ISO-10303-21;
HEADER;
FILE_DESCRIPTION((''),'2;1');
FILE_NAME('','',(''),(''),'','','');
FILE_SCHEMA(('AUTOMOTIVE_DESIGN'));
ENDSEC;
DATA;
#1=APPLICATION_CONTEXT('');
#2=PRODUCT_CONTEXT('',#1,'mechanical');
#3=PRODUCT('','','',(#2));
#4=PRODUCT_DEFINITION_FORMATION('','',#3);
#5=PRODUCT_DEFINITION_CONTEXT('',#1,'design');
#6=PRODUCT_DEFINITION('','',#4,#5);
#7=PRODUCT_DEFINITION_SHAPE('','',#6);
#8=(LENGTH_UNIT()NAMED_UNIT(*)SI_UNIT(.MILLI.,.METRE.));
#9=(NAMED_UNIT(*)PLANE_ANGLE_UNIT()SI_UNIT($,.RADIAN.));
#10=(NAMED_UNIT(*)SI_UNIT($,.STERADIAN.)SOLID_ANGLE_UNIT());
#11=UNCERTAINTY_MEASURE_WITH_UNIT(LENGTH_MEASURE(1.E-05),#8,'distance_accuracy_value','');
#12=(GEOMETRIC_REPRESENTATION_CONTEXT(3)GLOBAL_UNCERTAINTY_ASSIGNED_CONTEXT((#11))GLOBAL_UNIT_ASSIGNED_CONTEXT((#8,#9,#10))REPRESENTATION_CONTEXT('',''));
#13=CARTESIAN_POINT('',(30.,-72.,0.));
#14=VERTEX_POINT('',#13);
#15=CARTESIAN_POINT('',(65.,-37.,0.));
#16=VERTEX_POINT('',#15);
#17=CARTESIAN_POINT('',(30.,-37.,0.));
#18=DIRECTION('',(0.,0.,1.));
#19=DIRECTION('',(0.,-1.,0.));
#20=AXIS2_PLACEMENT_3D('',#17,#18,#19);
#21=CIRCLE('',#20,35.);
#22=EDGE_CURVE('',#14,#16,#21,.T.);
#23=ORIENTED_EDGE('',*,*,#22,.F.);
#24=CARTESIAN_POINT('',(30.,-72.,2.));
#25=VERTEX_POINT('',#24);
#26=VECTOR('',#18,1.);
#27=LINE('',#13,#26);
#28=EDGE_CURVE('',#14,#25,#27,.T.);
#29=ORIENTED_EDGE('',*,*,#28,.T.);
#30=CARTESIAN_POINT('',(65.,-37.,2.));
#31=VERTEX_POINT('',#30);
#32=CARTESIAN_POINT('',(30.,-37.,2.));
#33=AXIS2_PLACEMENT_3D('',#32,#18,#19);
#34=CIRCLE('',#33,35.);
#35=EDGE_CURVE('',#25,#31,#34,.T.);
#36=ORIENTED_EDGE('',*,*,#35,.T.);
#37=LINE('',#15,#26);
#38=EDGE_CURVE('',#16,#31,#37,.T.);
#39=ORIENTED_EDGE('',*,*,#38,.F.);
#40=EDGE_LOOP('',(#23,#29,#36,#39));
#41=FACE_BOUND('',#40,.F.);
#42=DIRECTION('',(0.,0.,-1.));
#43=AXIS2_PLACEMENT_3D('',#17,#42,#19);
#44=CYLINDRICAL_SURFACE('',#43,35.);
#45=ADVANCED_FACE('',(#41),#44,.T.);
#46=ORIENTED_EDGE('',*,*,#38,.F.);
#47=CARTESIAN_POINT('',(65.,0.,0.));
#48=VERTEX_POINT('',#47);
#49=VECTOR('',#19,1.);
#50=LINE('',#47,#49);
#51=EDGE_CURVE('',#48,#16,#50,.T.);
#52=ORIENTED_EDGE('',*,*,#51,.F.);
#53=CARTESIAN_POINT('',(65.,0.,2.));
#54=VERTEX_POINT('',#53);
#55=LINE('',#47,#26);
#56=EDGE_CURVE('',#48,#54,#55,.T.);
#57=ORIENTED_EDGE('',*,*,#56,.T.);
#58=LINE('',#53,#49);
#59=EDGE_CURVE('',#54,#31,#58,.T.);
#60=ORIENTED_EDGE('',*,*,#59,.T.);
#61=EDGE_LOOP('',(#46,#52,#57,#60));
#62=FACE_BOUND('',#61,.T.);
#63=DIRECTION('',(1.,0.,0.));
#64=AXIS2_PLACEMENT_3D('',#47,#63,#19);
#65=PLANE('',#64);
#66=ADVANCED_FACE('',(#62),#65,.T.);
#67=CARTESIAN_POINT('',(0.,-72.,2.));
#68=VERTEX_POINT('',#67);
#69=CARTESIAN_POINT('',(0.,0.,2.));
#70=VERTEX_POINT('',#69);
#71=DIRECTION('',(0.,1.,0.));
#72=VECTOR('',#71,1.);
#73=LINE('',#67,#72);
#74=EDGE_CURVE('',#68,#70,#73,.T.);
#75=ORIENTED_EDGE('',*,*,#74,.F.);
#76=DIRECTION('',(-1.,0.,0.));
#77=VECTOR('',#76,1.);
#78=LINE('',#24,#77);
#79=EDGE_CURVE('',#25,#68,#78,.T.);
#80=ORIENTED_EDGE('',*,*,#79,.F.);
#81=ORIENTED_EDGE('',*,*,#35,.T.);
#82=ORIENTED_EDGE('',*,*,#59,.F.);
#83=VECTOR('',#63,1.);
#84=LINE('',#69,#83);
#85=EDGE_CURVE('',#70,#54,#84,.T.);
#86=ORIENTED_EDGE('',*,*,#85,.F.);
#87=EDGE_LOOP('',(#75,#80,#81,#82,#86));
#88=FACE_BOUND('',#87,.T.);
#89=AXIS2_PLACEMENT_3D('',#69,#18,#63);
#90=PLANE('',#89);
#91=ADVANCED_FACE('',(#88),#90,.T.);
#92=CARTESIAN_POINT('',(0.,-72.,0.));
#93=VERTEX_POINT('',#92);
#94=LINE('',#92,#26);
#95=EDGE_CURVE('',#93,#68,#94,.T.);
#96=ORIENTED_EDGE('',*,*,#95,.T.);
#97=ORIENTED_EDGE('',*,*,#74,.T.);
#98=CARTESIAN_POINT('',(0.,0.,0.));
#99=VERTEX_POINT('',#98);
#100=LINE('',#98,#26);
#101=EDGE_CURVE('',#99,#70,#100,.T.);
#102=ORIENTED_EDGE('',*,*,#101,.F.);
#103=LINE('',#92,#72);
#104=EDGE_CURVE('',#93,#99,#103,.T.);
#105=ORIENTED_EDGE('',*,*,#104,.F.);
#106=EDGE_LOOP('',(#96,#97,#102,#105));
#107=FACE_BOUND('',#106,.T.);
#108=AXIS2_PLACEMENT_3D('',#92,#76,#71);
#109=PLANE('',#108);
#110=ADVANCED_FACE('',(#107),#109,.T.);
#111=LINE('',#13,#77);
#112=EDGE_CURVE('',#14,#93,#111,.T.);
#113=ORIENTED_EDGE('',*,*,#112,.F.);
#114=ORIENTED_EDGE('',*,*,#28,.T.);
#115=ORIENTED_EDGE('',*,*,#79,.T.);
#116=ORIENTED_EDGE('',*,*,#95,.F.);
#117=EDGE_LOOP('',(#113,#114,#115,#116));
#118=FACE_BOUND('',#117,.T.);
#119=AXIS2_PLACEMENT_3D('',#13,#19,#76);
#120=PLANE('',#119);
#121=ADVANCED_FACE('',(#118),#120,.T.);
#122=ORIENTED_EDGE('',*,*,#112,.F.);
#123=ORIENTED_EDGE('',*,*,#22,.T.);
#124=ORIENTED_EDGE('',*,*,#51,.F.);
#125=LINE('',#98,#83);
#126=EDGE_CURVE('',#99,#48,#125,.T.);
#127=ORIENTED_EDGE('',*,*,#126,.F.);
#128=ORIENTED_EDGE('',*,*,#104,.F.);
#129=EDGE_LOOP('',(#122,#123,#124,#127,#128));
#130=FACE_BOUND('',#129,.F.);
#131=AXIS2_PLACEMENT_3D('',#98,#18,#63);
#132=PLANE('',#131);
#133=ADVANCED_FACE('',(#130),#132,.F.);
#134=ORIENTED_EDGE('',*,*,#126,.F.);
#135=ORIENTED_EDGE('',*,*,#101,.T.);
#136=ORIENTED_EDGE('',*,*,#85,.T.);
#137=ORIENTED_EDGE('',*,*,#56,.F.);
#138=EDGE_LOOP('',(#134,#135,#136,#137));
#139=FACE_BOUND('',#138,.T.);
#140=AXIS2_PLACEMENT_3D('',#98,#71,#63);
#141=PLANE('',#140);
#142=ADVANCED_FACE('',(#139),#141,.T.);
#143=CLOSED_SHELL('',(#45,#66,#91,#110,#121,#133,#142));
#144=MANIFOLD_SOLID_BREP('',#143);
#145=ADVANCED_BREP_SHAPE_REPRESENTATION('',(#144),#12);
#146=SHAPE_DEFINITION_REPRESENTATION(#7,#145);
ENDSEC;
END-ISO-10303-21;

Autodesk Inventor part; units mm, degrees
ref_plane "YZ Plane" through (0, 0, 0) normal (1, 0, 0) x (0, 1, 0)
ref_plane "XZ Plane" through (0, 0, 0) normal (0, 1, 0) x (-1, 0, 0)
ref_plane "XY Plane" through (0, 0, 0) normal (0, 0, 1) x (1, 0, 0)
sketch "Sketch1" plane through (0, 0, 0) normal (0, 0, 1) x (1, 0, 0)
  line L0 (0, 0) -> (65, 0)
  line L1 (65, 0) -> (65, -37)
  line L2 (30, -72) -> (0, -72)
  line L3 (0, -72) -> (0, 0)
  arc A0 (30, -72) -> (65, -37) centre (30, -37) ccw
  point P0 (65, -72)
  dimension "d0" = 65
  dimension "d1" = 72
  dimension "d2" = 35
extrude "Extrusion1" add sketch "Sketch1" along normal blind 2
properties part number "blade"
